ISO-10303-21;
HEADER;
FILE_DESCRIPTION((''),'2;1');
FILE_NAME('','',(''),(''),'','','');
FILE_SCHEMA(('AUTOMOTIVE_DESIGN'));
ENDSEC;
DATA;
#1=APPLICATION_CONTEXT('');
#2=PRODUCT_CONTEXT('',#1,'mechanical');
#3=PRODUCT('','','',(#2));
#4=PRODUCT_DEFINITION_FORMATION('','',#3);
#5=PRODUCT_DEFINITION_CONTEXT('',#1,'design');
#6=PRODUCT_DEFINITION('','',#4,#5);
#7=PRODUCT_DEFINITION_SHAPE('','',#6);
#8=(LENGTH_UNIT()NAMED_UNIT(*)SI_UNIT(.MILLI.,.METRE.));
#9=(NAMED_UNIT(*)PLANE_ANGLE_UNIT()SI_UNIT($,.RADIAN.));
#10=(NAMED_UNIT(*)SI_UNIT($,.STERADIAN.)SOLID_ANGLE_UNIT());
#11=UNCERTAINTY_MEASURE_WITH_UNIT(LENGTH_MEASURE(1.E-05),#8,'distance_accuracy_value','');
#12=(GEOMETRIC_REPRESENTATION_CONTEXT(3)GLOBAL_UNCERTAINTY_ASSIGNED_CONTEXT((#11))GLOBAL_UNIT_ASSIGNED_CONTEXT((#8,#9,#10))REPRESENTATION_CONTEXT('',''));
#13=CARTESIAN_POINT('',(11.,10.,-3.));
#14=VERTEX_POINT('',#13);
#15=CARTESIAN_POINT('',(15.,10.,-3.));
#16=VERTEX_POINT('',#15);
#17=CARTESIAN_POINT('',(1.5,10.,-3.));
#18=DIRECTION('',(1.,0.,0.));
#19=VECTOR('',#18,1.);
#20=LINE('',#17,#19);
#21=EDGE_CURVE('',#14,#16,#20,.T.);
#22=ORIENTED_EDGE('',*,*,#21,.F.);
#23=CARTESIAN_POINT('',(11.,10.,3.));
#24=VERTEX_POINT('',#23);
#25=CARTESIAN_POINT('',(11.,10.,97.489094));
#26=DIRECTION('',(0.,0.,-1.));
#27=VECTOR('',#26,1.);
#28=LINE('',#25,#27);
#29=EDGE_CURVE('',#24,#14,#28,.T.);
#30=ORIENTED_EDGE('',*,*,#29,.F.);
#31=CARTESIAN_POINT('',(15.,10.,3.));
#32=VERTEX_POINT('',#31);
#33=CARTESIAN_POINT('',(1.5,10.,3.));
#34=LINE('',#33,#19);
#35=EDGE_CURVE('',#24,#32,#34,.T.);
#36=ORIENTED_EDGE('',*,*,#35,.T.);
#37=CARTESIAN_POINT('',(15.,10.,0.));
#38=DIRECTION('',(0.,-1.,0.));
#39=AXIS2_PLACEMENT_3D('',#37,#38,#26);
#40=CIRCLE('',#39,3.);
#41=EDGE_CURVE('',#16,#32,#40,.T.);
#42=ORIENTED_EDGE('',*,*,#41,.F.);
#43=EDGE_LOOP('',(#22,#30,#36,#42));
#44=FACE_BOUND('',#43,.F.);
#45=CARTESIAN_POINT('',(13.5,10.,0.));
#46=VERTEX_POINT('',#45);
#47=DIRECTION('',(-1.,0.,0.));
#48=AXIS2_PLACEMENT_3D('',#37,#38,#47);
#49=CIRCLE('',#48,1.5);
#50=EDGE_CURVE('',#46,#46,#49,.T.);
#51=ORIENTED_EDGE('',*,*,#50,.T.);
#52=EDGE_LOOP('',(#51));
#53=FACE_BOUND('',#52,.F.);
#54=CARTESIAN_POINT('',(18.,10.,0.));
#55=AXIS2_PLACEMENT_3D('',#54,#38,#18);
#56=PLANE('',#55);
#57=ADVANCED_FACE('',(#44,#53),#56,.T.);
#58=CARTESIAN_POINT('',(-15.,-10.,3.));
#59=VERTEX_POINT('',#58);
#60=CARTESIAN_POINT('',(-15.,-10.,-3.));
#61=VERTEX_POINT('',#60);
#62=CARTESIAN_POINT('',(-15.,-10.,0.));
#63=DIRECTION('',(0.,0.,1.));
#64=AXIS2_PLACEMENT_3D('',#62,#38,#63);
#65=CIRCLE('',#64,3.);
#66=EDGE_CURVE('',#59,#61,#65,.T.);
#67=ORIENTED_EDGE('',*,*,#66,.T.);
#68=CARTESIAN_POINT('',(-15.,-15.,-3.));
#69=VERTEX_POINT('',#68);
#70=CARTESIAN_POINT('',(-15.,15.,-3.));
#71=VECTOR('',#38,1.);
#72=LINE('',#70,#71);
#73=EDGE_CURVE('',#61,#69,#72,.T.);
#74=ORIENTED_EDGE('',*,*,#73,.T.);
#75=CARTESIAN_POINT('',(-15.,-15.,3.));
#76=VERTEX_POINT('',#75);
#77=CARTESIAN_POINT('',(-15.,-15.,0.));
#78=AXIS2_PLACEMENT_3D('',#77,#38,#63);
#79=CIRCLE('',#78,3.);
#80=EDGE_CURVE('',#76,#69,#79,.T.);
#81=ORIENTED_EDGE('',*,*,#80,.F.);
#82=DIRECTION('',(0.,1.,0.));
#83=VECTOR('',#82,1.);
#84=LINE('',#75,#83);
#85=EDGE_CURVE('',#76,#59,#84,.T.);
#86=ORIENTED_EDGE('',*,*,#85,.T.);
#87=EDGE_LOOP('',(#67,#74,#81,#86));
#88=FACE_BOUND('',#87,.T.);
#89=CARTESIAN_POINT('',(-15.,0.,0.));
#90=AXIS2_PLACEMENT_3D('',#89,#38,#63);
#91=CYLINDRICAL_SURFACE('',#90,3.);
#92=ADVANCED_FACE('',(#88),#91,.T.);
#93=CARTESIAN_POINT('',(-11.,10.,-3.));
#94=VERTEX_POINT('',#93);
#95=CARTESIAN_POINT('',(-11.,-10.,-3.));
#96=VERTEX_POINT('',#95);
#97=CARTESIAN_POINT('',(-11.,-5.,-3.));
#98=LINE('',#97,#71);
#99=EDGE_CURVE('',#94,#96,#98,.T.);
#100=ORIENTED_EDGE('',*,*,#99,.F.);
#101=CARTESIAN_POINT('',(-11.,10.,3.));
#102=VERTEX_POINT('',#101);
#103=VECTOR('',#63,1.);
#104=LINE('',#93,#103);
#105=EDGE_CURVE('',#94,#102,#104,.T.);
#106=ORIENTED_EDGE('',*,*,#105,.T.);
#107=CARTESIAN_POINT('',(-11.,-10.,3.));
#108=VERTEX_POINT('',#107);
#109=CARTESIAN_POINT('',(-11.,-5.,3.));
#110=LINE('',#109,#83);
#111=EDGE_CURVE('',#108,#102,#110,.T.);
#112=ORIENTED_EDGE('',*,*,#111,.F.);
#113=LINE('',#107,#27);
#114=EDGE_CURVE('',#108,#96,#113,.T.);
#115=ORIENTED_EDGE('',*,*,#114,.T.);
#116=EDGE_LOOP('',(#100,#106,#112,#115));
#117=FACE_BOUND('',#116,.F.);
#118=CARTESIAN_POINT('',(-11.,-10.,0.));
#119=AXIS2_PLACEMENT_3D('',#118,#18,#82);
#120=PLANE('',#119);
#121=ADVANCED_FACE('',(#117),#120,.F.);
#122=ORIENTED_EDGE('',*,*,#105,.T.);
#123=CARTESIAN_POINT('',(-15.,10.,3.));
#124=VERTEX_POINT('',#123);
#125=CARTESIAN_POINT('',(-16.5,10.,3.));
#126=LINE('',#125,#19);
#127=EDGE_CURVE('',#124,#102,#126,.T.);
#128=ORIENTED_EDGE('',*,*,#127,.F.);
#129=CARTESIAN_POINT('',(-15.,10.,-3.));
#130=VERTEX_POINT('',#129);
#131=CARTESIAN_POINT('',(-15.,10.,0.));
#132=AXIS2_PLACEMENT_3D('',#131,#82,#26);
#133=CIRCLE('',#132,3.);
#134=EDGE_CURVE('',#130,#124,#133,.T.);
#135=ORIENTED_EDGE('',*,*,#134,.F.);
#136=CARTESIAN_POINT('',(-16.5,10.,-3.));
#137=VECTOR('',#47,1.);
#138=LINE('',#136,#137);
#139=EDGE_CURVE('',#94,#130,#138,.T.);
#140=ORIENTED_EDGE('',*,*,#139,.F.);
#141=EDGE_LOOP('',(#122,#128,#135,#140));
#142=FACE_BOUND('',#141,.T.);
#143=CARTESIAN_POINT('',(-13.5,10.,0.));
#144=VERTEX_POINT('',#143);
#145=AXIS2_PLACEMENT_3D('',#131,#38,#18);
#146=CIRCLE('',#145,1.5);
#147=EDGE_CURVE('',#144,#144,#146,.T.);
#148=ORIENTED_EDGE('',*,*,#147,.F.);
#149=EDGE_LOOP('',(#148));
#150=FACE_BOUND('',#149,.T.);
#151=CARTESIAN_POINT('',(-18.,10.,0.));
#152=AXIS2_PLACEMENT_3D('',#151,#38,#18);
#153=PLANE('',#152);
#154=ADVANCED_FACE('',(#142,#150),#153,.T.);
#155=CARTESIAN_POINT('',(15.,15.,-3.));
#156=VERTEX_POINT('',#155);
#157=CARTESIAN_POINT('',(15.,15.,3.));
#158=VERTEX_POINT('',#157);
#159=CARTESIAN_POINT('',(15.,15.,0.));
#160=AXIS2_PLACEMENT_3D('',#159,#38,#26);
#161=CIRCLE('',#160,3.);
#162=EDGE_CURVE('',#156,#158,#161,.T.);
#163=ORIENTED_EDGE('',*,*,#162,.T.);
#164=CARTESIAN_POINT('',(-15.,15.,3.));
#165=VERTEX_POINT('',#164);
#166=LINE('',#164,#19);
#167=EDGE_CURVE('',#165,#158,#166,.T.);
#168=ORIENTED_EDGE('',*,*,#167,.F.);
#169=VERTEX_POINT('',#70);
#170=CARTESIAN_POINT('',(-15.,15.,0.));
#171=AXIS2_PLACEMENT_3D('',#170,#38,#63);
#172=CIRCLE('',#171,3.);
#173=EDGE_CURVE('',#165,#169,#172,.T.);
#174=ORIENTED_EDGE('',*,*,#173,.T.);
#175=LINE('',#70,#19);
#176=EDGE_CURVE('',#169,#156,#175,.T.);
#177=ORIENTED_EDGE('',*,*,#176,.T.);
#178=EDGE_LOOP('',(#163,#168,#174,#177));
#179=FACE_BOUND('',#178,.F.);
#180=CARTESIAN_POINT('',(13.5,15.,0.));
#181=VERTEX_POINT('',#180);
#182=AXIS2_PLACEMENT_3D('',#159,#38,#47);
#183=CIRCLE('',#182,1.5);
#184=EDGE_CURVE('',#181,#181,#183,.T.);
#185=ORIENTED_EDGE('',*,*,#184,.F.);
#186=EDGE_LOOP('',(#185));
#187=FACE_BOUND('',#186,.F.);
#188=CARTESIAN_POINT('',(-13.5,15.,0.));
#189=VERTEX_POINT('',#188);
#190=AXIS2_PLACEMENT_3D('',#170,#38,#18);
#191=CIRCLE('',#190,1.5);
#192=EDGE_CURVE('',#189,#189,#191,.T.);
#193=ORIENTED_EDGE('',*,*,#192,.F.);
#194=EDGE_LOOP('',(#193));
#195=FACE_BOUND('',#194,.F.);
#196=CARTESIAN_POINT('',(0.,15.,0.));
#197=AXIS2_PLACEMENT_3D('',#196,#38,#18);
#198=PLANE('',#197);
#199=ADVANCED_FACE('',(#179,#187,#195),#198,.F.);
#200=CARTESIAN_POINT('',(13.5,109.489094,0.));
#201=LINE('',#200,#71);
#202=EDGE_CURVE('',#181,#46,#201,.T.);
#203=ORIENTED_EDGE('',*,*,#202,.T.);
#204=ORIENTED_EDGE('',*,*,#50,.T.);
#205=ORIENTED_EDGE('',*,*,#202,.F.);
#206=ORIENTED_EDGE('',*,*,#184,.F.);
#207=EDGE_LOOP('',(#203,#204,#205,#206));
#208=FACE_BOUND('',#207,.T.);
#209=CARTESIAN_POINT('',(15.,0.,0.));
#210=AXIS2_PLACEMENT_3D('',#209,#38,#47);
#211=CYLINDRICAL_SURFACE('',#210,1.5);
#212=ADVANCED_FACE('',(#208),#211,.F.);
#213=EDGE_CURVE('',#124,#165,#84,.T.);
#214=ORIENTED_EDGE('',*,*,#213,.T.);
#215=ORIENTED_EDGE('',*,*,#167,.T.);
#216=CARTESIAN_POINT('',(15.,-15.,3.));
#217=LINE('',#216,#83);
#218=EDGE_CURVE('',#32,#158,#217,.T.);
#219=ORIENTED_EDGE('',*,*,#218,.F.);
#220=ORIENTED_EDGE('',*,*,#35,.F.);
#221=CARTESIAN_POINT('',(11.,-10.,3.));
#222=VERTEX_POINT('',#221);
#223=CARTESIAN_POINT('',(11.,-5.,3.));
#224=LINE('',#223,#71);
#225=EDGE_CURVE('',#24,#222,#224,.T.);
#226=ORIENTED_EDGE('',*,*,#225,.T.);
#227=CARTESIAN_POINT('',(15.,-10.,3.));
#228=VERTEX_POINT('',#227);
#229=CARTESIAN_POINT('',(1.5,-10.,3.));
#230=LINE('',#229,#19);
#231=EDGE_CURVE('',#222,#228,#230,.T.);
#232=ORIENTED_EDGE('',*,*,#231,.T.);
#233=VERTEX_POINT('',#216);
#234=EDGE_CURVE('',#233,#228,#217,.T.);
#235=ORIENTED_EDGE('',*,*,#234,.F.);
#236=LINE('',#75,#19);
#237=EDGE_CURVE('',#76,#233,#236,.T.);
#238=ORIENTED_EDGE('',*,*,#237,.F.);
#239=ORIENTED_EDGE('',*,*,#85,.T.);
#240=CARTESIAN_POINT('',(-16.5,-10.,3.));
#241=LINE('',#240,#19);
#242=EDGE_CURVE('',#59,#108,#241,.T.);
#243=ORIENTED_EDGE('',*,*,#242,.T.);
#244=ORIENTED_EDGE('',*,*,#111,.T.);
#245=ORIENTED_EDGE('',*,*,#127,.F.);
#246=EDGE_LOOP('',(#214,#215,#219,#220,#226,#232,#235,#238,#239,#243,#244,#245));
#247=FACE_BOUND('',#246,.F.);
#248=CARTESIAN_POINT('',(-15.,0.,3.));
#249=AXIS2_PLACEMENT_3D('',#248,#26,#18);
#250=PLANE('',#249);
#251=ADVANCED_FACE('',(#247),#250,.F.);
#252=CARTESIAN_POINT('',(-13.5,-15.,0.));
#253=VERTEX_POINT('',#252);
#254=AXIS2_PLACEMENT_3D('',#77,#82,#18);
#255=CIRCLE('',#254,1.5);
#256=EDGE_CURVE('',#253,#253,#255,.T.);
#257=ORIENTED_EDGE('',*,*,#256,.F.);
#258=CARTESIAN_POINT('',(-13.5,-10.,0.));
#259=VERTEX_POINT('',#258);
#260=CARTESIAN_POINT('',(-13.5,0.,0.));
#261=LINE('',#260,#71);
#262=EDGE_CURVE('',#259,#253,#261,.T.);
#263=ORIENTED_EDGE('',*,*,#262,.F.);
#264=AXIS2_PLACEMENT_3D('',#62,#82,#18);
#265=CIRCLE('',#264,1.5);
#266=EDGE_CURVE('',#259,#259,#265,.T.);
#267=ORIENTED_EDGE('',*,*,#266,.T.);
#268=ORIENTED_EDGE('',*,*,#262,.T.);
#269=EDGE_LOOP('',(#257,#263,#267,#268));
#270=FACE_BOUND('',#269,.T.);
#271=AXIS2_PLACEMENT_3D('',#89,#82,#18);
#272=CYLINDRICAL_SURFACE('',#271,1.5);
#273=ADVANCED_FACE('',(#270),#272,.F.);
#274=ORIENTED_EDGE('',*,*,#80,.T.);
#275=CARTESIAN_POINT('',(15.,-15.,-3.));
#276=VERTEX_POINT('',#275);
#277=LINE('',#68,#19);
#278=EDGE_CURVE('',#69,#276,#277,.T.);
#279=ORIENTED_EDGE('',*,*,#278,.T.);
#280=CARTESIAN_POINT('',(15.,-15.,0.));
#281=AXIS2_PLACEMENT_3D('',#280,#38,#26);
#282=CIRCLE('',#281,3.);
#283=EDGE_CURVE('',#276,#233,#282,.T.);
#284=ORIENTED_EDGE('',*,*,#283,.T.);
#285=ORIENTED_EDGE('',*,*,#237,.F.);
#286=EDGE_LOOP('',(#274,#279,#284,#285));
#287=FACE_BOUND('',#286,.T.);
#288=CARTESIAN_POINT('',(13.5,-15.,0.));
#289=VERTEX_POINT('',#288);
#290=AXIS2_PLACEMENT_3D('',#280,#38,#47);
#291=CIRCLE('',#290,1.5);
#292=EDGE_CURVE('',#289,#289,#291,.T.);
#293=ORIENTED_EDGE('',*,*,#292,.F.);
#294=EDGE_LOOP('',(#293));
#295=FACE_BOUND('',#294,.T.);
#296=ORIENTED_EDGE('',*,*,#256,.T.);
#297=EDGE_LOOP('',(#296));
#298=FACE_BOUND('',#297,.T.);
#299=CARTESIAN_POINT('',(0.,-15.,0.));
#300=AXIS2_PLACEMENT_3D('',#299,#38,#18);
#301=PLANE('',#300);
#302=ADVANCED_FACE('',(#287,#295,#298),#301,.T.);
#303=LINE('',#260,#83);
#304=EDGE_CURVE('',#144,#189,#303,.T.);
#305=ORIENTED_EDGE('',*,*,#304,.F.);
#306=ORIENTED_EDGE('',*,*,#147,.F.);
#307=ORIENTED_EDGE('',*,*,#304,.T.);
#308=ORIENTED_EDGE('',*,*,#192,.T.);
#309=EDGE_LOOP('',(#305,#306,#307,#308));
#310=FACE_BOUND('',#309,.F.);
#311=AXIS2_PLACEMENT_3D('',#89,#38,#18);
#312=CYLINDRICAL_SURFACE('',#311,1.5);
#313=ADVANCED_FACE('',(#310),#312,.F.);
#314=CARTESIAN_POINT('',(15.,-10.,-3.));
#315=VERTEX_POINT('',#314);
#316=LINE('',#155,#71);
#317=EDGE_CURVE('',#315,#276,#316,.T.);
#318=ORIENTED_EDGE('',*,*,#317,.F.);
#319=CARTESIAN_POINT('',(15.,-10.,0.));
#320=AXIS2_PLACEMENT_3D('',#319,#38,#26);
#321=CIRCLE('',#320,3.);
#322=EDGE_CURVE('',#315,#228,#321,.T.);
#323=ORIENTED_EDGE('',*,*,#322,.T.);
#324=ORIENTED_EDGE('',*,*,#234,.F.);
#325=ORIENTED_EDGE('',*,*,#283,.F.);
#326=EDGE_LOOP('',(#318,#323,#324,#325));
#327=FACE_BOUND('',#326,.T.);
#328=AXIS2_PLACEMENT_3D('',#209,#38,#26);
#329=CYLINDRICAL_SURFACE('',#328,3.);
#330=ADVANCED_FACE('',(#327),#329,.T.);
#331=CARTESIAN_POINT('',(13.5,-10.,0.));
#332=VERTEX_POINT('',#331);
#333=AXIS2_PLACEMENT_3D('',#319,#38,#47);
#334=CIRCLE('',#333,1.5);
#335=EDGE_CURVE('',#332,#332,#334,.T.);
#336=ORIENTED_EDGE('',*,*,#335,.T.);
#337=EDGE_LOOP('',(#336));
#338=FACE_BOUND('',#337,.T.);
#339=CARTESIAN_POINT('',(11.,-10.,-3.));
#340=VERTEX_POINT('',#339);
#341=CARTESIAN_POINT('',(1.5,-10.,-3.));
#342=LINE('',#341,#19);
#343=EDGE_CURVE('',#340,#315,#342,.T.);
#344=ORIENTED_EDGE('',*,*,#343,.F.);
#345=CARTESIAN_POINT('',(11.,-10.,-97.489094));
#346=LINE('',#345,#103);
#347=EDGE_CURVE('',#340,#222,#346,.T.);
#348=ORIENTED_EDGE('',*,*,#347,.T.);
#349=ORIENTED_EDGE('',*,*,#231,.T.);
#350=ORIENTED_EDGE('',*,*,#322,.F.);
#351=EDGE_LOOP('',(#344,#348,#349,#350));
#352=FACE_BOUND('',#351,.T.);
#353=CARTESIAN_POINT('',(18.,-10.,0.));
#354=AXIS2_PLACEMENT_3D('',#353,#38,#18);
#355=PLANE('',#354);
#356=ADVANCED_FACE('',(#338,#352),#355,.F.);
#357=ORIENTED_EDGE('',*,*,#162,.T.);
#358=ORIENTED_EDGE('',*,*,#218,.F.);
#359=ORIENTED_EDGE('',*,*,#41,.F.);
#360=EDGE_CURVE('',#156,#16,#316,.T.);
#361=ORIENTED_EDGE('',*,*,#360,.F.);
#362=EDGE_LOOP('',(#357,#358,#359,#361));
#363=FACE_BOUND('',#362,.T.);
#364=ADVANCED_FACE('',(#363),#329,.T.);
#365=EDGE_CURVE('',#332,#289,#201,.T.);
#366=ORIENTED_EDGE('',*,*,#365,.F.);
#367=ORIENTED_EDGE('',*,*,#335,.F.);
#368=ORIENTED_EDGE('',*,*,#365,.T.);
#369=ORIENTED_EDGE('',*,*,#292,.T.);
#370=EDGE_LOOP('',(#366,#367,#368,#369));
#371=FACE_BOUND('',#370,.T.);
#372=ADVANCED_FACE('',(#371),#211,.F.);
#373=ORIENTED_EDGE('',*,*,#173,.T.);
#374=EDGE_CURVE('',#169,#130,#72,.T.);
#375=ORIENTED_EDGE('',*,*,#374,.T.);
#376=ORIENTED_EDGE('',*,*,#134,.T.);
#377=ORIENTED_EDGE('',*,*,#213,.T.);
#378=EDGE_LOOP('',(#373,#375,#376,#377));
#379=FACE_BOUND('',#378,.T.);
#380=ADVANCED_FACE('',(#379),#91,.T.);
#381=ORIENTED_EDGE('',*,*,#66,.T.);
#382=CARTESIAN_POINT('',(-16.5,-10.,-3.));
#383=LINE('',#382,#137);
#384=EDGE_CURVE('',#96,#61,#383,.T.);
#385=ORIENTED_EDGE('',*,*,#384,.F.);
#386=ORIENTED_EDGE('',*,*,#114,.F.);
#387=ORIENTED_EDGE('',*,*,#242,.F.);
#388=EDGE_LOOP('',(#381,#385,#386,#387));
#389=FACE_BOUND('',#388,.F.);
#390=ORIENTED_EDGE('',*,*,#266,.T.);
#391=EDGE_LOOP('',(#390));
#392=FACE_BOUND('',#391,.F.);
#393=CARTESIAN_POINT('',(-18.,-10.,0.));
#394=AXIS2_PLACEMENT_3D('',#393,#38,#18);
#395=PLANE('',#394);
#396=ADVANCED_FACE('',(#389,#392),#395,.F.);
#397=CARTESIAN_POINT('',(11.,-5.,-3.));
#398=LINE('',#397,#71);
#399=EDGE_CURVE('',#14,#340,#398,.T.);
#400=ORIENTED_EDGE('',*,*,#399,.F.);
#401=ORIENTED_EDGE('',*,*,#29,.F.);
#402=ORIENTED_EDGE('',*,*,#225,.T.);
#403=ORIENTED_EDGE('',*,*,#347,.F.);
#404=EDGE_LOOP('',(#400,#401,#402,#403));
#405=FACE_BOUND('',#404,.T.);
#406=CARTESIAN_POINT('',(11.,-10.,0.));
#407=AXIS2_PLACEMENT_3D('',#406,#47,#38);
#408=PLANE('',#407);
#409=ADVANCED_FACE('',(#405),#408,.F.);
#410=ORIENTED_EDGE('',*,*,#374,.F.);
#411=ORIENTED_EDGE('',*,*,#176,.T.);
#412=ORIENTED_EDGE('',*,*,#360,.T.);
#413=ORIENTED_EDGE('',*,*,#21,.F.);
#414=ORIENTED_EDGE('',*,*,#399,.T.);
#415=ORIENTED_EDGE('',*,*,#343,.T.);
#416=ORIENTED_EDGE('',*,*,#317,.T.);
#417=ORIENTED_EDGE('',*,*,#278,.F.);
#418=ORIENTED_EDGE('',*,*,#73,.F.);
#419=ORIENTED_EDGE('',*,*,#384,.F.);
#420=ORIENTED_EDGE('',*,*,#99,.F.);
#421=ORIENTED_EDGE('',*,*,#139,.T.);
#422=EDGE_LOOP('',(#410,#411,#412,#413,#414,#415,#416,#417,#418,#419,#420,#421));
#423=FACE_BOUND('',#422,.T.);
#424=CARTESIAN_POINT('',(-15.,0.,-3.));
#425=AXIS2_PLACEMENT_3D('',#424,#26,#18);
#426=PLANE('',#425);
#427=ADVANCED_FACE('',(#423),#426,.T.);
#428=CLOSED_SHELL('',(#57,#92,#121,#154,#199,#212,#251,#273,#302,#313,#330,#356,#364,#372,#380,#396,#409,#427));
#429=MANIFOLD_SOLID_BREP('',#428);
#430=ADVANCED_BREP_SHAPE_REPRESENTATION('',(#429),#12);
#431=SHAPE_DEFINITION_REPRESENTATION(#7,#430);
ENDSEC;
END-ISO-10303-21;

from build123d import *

# Parameters (mm, degrees)
PAD_DEPTH            = 15
SKETCH001_W          = 7
SKETCH001_H          = 20
POCKET_DEPTH         = 97.489094
POCKET_DEPTH_BACK    = 97.489094
SKETCH002_R          = 1.5
POCKET001_DEPTH      = 109.489094
POCKET001_DEPTH_BACK = 109.489094


with BuildPart() as part:
    # Sketch (on DatumPlane) → Pad (new body, symmetric)
    with BuildSketch(Plane.XZ):
        with BuildLine():
            ThreePointArc((-15, 3), (-18, 0), (-15, -3))
            Line((-15, -3), (15, -3))
            ThreePointArc((15, -3), (18, 0), (15, 3))
            Line((-15, 3), (15, 3))
        make_face()
    extrude(amount=PAD_DEPTH, both=True)

    # Sketch001 (on DatumPlane) → Pocket (cut, two sides)
    with BuildSketch(Plane.XY) as pocket_sk:
        with Locations((-14.5, 0)):
            Rectangle(SKETCH001_W, SKETCH001_H)
    pocket = extrude(amount=-POCKET_DEPTH, mode=Mode.SUBTRACT) + extrude(pocket_sk.sketch, amount=POCKET_DEPTH_BACK, mode=Mode.SUBTRACT)

    # Mirrored: Pocket across YZ
    add(pocket.mirror(Plane.YZ), mode=Mode.SUBTRACT)

    # Sketch002 (on DatumPlane) → Pocket001 (cut, two sides)
    with BuildSketch(Plane.XZ) as pocket001_sk:
        with Locations((-15, 0)):
            Circle(SKETCH002_R)
    pocket001 = extrude(amount=-POCKET001_DEPTH, mode=Mode.SUBTRACT) + extrude(pocket001_sk.sketch, amount=POCKET001_DEPTH_BACK, mode=Mode.SUBTRACT)

    # Mirrored001: Pocket001 across YZ
    add(pocket001.mirror(Plane.YZ), mode=Mode.SUBTRACT)


solid = part.part
